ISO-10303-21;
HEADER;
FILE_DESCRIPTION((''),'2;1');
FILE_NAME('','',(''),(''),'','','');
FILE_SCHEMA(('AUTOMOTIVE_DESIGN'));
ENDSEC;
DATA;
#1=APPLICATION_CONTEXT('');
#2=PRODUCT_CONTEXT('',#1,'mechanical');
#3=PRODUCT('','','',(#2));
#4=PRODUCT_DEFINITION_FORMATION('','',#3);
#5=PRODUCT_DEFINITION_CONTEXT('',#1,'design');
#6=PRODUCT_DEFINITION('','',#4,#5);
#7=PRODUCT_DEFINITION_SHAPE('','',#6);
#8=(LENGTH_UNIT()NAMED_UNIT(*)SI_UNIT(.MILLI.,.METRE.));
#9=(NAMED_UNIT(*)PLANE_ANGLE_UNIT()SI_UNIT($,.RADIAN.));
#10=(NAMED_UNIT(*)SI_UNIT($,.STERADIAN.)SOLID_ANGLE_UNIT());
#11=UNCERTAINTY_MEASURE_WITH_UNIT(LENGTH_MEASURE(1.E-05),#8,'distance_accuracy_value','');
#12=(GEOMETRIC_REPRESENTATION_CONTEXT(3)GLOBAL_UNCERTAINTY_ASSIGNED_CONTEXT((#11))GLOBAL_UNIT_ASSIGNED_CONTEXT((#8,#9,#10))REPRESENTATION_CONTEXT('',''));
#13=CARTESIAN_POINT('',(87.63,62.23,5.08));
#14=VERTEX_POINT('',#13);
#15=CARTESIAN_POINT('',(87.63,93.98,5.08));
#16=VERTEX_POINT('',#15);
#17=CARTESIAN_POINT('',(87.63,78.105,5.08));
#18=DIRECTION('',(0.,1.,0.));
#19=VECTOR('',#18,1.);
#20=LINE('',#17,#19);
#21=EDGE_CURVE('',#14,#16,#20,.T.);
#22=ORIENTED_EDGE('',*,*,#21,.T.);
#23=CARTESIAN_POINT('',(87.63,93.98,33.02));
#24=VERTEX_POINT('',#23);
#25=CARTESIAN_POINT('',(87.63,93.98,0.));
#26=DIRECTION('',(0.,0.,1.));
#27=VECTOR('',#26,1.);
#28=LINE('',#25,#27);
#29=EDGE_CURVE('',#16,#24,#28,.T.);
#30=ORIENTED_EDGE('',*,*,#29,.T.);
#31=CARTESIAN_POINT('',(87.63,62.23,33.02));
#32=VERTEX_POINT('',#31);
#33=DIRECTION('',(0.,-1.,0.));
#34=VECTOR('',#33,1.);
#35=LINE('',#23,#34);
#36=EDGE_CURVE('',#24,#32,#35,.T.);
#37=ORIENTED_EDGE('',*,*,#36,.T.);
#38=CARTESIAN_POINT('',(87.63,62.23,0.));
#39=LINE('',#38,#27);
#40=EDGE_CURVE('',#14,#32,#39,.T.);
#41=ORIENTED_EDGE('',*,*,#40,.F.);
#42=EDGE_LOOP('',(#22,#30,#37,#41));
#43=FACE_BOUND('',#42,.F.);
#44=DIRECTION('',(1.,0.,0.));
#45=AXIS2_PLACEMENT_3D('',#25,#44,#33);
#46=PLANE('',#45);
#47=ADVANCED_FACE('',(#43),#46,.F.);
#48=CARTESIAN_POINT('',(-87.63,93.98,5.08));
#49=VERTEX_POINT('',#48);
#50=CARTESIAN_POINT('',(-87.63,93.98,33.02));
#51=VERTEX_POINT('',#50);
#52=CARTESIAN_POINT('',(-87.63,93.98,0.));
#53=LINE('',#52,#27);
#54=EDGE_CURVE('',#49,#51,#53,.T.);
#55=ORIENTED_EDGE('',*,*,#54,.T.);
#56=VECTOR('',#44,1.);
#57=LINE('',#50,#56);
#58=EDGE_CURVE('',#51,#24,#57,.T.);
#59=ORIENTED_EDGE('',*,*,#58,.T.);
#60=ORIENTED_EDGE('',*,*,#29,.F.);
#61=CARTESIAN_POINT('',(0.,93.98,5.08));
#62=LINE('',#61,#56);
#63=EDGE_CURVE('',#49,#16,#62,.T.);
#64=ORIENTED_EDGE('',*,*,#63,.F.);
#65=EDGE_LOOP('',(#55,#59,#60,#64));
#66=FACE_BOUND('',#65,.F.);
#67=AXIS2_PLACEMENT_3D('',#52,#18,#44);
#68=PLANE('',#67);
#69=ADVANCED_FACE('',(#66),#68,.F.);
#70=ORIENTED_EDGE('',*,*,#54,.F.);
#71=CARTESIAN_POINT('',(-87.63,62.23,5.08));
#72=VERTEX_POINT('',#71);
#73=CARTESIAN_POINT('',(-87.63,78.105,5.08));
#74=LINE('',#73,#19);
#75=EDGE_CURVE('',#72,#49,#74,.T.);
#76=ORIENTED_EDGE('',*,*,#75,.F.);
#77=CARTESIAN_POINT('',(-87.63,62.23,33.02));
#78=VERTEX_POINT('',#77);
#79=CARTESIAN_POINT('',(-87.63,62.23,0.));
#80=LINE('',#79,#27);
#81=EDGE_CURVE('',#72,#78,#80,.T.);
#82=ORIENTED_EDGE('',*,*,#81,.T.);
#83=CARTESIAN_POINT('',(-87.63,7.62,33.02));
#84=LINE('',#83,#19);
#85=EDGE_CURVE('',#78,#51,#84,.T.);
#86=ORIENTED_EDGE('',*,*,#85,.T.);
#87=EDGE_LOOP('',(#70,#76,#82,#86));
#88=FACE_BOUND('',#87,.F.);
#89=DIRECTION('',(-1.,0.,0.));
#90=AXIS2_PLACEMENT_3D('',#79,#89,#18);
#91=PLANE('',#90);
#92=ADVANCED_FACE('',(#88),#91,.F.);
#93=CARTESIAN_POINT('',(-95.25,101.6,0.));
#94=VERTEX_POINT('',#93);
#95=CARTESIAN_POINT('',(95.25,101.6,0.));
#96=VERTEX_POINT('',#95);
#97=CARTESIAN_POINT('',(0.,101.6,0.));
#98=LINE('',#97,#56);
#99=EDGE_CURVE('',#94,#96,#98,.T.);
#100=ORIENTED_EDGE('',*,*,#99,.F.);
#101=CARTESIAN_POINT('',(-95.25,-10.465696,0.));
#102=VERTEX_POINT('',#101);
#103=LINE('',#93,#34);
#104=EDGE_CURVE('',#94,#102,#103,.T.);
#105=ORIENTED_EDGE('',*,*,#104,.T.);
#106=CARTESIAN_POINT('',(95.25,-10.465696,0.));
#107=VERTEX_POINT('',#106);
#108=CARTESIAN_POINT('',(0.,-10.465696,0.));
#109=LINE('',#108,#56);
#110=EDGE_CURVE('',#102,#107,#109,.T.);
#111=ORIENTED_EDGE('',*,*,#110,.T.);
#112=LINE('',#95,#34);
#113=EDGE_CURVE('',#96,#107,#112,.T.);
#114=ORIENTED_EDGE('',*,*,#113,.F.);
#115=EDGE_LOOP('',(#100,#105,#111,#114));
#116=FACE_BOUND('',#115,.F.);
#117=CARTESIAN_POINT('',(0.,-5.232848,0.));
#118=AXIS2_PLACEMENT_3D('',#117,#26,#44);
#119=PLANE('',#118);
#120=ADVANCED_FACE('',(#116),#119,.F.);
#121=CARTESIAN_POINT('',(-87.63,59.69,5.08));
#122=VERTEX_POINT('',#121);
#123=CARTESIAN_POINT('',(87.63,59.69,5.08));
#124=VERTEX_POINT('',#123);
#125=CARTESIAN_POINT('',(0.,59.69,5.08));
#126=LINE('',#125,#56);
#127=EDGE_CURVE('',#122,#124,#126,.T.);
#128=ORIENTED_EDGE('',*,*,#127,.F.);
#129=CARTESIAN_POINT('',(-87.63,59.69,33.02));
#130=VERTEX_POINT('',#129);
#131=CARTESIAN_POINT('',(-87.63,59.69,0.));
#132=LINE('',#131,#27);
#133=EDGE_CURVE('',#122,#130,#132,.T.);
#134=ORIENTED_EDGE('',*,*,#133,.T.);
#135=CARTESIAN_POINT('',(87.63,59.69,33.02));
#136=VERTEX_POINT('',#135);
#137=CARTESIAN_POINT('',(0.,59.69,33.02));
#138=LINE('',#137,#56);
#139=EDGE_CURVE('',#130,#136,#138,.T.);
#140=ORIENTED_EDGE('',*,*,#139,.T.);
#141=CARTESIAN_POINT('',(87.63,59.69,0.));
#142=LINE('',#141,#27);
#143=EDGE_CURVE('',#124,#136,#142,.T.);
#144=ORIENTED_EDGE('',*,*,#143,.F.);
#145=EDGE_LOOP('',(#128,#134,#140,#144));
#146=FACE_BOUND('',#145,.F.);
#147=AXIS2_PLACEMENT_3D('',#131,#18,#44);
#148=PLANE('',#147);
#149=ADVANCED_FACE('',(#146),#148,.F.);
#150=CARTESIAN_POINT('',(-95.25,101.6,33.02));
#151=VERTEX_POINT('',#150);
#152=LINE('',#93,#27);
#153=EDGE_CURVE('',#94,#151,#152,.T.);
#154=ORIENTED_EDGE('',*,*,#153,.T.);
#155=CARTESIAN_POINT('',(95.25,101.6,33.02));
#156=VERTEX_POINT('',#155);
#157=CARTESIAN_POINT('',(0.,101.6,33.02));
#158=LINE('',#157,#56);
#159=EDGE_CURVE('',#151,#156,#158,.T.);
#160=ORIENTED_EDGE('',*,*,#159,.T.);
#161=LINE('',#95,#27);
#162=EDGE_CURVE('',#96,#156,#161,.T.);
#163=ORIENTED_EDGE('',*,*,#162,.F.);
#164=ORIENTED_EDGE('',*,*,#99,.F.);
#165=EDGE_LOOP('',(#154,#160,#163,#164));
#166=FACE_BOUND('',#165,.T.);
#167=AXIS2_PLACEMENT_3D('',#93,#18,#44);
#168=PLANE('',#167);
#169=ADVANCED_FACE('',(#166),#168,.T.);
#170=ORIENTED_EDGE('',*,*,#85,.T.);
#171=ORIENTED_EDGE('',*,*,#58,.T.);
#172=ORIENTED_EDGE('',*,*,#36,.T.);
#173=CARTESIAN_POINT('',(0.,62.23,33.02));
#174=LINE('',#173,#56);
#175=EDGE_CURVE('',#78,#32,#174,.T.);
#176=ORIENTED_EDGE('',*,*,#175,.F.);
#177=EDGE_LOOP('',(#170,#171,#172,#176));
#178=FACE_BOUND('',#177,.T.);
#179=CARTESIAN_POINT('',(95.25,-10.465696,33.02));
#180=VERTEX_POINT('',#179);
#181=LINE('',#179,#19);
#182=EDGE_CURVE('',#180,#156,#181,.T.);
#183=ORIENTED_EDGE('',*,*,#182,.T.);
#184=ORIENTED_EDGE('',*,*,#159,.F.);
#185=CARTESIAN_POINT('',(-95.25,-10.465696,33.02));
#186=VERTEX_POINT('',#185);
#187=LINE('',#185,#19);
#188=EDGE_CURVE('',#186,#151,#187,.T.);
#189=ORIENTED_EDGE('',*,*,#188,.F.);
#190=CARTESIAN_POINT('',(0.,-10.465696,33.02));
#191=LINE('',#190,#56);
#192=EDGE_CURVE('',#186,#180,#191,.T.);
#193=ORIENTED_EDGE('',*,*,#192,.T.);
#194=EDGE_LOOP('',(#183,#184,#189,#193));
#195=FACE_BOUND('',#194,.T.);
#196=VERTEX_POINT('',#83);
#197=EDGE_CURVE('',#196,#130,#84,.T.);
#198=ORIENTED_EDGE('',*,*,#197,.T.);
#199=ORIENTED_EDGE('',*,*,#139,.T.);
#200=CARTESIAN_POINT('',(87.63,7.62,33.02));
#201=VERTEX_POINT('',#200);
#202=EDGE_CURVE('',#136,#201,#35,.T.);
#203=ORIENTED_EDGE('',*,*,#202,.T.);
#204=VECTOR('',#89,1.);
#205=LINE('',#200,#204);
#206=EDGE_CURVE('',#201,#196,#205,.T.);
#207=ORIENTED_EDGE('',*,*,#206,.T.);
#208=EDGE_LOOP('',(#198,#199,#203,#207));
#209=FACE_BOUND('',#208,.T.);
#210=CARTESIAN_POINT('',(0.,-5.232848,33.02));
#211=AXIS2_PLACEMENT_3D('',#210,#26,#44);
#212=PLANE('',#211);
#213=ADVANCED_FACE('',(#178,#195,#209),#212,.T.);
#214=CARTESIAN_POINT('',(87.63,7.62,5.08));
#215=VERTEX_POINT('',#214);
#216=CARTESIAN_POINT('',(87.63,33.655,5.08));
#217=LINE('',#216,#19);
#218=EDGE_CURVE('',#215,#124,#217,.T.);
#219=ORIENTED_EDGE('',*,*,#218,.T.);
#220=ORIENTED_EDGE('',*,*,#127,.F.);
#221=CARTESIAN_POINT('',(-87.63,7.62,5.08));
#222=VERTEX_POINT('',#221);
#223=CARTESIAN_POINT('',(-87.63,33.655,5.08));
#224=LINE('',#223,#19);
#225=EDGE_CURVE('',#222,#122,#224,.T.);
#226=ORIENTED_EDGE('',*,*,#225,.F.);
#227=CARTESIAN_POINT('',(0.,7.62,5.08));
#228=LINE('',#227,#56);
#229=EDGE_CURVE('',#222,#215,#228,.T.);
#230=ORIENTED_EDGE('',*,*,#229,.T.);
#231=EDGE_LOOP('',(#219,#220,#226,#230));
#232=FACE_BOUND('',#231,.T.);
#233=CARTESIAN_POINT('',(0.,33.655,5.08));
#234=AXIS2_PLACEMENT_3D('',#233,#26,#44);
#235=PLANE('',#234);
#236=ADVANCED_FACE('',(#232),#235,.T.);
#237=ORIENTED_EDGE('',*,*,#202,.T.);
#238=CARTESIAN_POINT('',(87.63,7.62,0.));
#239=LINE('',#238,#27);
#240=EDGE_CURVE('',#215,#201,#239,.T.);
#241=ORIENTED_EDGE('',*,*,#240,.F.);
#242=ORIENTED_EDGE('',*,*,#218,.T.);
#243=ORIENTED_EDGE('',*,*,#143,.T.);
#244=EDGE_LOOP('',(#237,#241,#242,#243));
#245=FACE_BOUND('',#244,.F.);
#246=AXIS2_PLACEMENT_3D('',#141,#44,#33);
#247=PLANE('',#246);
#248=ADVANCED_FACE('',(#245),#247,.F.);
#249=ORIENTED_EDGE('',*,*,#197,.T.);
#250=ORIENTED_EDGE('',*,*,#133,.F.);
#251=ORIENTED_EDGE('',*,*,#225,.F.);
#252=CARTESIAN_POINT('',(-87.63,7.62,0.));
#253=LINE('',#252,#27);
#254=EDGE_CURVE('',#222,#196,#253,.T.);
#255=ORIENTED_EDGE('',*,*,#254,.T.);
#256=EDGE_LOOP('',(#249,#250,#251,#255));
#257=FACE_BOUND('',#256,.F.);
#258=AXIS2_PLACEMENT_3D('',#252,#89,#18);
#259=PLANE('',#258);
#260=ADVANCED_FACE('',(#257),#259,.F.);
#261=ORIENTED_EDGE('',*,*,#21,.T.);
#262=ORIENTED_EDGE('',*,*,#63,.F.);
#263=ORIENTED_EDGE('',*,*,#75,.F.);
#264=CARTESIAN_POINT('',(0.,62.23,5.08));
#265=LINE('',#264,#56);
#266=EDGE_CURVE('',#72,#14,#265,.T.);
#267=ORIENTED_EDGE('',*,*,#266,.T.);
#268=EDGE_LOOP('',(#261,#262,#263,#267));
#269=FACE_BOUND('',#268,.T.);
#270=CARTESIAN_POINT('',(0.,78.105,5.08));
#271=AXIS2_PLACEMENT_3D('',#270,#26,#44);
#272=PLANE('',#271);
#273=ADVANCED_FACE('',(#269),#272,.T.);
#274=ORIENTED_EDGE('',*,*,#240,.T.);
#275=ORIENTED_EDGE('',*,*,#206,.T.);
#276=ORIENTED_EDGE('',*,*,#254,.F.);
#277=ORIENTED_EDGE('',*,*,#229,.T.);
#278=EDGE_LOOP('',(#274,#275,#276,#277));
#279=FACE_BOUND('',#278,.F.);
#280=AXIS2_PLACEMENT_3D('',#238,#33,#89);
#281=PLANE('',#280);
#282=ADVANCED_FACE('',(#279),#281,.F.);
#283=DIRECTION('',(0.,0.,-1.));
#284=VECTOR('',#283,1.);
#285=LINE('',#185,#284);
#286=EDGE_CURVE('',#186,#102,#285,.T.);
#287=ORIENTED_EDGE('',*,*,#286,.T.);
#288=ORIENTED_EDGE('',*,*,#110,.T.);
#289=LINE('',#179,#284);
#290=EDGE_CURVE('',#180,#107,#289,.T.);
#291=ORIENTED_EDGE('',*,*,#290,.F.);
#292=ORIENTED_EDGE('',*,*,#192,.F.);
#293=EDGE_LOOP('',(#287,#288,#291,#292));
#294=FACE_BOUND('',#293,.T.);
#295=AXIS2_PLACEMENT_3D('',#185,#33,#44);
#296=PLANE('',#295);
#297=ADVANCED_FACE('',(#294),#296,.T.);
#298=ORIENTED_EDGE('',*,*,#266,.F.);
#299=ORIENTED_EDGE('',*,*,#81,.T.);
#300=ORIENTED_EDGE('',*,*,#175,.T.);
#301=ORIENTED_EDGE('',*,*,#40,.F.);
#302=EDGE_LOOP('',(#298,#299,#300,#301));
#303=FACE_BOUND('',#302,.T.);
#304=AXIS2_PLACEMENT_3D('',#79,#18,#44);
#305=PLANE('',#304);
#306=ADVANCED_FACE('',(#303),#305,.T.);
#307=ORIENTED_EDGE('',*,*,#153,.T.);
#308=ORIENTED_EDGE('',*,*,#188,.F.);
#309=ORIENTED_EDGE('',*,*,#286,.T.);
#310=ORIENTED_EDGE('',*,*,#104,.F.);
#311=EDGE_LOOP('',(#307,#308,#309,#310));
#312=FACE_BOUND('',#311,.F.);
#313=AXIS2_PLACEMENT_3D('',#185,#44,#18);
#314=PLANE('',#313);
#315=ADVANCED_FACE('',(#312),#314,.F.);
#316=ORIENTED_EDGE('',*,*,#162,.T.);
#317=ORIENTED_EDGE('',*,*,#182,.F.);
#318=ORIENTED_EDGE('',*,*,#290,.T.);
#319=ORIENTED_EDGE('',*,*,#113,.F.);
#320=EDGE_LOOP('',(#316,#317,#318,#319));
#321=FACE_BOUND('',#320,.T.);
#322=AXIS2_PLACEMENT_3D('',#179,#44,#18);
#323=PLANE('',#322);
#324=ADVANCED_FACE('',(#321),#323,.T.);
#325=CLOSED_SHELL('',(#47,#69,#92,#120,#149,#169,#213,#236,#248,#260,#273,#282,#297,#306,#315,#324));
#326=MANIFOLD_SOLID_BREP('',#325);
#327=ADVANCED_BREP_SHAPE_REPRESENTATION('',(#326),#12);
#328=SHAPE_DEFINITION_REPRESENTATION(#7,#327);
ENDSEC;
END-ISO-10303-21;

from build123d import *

# Parameters (mm, degrees)
F0_W     = 190.5
F0_H     = 101.6
F0_W_2   = 175.26
F0_H_2   = 2.54
F1_DEPTH = 33.02
F0_H_3   = 31.75
F0_H_4   = 52.07
F2_DEPTH = 5.08
F3_W     = 190.5
F3_H     = 10.465697
F4_DEPTH = 33.02


with BuildPart() as f1:
    # F0 (on Top) → F1 (new body)
    with BuildSketch(Plane.XY):
        with Locations((0, 50.8)):
            Rectangle(F0_W, F0_H)
        Polygon((87.63, 7.62), (-87.63, 7.62), (-87.63, 59.69), (-87.63, 62.23), (-87.63, 93.98), (87.63, 93.98), (87.63, 62.23), (87.63, 59.69), align=None, mode=Mode.SUBTRACT)
        with Locations((0, 60.96)):
            Rectangle(F0_W_2, F0_H_2)
    extrude(amount=F1_DEPTH)

    # F0 (on Top) → F2 (join)
    with BuildSketch(Plane.XY):
        with Locations((0, 78.105)):
            Rectangle(F0_W_2, F0_H_3)
        with Locations((0, 33.655)):
            Rectangle(F0_W_2, F0_H_4)
    extrude(amount=F2_DEPTH)

    # F3 (on face) → F4 (join)
    with BuildSketch(Plane.XY.offset(33.02)):
        with Locations((0, -5.232848)):
            Rectangle(F3_W, F3_H)
    extrude(amount=-F4_DEPTH)


solid = f1.part
